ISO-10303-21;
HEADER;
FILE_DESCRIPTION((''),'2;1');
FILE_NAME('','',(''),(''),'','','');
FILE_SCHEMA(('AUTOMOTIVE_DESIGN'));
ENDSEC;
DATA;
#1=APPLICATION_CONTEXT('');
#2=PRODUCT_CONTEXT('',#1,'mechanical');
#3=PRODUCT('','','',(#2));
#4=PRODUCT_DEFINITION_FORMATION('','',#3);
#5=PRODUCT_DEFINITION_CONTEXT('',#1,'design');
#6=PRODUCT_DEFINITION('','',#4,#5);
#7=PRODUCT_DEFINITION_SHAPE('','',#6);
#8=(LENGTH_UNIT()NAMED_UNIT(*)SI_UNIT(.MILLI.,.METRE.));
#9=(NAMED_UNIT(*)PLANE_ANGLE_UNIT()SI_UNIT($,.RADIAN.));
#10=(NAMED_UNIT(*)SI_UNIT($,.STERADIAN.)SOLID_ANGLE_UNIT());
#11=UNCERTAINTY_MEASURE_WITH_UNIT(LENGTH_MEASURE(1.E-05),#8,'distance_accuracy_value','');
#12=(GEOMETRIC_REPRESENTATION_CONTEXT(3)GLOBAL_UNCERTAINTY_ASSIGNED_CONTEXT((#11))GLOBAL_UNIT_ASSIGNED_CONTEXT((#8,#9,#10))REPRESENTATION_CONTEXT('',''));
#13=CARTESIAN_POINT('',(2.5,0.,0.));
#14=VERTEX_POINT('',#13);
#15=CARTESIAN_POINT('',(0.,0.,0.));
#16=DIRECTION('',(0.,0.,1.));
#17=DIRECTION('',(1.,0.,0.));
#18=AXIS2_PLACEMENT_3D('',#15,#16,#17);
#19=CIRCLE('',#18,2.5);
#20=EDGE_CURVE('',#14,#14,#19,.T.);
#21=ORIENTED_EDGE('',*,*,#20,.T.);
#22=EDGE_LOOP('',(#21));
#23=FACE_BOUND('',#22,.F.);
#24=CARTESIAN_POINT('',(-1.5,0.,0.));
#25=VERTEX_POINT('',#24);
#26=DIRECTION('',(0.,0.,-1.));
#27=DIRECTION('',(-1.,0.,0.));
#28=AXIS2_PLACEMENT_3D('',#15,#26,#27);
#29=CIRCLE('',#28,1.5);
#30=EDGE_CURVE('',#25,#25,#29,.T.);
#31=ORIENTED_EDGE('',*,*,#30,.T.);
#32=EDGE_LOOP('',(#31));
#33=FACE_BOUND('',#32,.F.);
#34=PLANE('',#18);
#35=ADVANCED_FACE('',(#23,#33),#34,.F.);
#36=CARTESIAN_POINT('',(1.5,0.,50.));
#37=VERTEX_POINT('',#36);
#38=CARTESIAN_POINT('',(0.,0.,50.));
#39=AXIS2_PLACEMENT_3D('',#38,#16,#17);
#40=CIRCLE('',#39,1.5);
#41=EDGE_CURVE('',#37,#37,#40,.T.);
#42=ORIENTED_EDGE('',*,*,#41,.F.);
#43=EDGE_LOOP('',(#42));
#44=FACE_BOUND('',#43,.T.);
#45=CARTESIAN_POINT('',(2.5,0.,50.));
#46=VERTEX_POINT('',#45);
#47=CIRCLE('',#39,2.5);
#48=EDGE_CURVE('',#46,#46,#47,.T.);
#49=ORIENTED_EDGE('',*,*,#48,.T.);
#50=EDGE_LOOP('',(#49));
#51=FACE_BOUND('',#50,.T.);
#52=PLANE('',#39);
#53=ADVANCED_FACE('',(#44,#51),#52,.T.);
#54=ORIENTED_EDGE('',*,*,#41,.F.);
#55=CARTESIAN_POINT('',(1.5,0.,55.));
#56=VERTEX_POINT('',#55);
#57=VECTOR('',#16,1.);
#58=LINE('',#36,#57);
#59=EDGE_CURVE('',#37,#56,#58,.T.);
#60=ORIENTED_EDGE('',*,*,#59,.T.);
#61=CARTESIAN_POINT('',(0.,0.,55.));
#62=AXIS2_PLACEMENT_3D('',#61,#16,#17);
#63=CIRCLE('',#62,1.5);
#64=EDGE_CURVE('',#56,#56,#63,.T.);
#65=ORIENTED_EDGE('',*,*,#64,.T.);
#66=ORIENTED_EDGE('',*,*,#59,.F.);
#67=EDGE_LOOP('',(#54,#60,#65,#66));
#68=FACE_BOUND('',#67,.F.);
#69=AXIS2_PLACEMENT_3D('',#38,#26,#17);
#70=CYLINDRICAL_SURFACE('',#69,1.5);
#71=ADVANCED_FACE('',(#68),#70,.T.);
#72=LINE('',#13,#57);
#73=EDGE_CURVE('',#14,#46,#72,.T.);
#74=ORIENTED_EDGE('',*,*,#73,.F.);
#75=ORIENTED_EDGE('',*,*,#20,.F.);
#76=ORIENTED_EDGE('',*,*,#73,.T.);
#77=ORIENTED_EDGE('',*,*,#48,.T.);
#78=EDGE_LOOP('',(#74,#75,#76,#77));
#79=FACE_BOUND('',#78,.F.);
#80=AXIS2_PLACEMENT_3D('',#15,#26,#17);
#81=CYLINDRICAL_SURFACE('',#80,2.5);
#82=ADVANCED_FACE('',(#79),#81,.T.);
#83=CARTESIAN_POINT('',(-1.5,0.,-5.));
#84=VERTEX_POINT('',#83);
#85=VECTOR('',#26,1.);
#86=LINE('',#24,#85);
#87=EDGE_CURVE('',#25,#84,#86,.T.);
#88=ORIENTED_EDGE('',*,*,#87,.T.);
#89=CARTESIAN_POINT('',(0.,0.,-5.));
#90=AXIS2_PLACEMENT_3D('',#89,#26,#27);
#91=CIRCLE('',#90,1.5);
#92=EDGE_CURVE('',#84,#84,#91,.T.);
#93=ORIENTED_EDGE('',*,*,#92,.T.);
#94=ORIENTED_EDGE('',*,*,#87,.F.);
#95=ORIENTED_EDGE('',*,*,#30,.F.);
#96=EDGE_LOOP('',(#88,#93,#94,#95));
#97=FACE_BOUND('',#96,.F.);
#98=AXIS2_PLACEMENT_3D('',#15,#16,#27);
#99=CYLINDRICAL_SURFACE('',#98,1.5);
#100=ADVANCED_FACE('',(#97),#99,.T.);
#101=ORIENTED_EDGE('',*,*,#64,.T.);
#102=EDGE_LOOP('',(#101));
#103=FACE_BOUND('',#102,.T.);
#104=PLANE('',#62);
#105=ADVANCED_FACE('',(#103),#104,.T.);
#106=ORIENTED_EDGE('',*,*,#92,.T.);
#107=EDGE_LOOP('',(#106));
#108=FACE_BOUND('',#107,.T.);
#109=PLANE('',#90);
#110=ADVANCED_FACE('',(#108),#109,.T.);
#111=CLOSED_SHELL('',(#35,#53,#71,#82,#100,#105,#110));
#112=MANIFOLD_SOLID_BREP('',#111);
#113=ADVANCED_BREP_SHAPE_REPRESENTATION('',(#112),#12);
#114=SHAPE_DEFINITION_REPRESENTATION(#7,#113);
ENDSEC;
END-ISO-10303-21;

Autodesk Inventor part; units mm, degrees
ref_plane "YZ Plane" through (0, 0, 0) normal (1, 0, 0) x (0, 1, 0)
ref_plane "XZ Plane" through (0, 0, 0) normal (0, 1, 0) x (-1, 0, 0)
ref_plane "XY Plane" through (0, 0, 0) normal (0, 0, 1) x (1, 0, 0)
sketch "Sketch1" plane through (0, 0, 0) normal (0, 0, 1) x (1, 0, 0)
  circle A0 centre (0, 0) radius 2.5
  dimension "d0" = 5
extrude "Extrusion1" add sketch "Sketch1" along normal blind 50
sketch "Sketch2" plane through (0, 0, 50) normal (0, 0, 1) x (1, 0, 0)
  circle A0 centre (0, 0) radius 2.5 projected
  circle A1 centre (0, 0) radius 1.5
  dimension "d3" = 3
extrude "Extrusion2" add sketch "Sketch2" along normal blind 5 contours A1
thread "Thread1" size "M3x0.5" class "6g" standard "ANSI Metric M Profile" full length
sketch "Sketch3" plane through (0, 0, 0) normal (0, 0, -1) x (-1, 0, 0)
  circle A0 centre (0, 0) radius 2.5 projected
  circle A1 centre (0, 0) radius 1.5
  dimension "d8" = 3
extrude "Extrusion3" add sketch "Sketch3" along normal blind 5 contours A1
thread "Thread2" size "M3x0.5" class "6g" standard "ANSI Metric M Profile" full length
properties part number "spacer 5 cm"
